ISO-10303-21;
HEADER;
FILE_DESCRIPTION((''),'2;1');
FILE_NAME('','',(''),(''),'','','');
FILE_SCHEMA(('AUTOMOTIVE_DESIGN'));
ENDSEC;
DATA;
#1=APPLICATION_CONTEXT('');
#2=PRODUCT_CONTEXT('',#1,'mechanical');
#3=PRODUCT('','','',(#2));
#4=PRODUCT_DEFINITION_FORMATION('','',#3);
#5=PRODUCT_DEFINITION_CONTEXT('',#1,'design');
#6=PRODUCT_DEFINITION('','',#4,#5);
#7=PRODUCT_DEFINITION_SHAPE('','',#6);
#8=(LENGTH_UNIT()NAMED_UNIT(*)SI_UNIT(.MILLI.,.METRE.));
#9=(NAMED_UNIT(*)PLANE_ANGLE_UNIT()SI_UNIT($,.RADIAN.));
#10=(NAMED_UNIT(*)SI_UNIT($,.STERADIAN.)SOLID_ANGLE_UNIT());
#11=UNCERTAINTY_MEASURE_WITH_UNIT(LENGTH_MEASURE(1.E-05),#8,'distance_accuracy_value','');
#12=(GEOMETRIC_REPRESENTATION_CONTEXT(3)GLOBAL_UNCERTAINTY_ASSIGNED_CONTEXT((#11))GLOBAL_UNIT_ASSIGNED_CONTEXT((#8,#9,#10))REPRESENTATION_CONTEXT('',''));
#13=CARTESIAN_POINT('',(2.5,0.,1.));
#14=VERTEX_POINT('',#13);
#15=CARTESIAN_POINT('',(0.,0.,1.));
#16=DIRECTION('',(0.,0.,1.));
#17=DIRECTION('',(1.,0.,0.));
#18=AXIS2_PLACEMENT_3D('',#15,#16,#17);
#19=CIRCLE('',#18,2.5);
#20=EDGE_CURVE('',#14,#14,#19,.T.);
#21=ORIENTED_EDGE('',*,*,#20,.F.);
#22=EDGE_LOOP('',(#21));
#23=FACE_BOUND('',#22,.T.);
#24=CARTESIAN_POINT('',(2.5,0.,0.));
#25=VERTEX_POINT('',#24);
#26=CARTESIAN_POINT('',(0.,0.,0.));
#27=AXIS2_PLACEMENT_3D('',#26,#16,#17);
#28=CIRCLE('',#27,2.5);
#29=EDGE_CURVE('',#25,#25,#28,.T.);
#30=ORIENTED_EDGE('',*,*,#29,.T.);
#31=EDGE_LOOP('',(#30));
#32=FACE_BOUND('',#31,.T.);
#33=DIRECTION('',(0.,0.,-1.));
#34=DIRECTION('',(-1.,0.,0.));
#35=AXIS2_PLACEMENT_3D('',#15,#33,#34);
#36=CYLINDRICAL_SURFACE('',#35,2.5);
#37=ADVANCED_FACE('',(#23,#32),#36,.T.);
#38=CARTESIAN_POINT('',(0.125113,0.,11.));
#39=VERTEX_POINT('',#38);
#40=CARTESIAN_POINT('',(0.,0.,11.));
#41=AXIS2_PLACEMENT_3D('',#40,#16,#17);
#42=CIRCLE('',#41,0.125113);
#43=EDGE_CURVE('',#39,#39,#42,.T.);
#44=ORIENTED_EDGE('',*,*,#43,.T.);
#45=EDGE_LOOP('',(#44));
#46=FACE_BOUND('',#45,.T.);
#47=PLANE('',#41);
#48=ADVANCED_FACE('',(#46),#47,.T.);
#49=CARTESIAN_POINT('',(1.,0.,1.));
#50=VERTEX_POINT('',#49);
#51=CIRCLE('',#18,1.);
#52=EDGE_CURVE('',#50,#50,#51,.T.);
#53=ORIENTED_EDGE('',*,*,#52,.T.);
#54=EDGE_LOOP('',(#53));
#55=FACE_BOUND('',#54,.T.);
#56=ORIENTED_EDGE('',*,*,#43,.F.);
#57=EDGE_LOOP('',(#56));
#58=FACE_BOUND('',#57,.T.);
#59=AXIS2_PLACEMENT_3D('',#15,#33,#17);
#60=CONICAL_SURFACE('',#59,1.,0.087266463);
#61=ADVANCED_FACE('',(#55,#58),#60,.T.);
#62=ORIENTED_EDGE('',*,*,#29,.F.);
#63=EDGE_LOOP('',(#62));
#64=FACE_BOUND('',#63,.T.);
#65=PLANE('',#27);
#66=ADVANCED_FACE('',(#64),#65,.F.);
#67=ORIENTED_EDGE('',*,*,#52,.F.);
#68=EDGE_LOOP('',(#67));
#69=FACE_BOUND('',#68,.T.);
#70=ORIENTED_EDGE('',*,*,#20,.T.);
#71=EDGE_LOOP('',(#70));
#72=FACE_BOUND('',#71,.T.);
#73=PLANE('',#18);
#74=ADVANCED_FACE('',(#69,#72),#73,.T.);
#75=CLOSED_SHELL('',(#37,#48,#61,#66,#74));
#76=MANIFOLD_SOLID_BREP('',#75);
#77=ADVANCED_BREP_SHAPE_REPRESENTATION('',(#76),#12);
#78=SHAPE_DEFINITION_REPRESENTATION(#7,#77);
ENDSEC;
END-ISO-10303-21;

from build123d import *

# Parameters (mm, degrees)
SKETCH1_R           = 2.5
BOSS_EXTRUDE1_DEPTH = 1
SKETCH2_R           = 1
BOSS_EXTRUDE2_DEPTH = 10
BOSS_EXTRUDE2_TAPER = 5


with BuildPart() as part:
    # Sketch1 → Boss-Extrude1 (new body)
    with BuildSketch(Plane.XY):
        Circle(SKETCH1_R)
    extrude(amount=BOSS_EXTRUDE1_DEPTH)

    # Sketch2 → Boss-Extrude2 (add)
    with BuildSketch(Plane.XY.offset(1)):
        Circle(SKETCH2_R)
    extrude(amount=BOSS_EXTRUDE2_DEPTH, taper=BOSS_EXTRUDE2_TAPER)


solid = part.part
